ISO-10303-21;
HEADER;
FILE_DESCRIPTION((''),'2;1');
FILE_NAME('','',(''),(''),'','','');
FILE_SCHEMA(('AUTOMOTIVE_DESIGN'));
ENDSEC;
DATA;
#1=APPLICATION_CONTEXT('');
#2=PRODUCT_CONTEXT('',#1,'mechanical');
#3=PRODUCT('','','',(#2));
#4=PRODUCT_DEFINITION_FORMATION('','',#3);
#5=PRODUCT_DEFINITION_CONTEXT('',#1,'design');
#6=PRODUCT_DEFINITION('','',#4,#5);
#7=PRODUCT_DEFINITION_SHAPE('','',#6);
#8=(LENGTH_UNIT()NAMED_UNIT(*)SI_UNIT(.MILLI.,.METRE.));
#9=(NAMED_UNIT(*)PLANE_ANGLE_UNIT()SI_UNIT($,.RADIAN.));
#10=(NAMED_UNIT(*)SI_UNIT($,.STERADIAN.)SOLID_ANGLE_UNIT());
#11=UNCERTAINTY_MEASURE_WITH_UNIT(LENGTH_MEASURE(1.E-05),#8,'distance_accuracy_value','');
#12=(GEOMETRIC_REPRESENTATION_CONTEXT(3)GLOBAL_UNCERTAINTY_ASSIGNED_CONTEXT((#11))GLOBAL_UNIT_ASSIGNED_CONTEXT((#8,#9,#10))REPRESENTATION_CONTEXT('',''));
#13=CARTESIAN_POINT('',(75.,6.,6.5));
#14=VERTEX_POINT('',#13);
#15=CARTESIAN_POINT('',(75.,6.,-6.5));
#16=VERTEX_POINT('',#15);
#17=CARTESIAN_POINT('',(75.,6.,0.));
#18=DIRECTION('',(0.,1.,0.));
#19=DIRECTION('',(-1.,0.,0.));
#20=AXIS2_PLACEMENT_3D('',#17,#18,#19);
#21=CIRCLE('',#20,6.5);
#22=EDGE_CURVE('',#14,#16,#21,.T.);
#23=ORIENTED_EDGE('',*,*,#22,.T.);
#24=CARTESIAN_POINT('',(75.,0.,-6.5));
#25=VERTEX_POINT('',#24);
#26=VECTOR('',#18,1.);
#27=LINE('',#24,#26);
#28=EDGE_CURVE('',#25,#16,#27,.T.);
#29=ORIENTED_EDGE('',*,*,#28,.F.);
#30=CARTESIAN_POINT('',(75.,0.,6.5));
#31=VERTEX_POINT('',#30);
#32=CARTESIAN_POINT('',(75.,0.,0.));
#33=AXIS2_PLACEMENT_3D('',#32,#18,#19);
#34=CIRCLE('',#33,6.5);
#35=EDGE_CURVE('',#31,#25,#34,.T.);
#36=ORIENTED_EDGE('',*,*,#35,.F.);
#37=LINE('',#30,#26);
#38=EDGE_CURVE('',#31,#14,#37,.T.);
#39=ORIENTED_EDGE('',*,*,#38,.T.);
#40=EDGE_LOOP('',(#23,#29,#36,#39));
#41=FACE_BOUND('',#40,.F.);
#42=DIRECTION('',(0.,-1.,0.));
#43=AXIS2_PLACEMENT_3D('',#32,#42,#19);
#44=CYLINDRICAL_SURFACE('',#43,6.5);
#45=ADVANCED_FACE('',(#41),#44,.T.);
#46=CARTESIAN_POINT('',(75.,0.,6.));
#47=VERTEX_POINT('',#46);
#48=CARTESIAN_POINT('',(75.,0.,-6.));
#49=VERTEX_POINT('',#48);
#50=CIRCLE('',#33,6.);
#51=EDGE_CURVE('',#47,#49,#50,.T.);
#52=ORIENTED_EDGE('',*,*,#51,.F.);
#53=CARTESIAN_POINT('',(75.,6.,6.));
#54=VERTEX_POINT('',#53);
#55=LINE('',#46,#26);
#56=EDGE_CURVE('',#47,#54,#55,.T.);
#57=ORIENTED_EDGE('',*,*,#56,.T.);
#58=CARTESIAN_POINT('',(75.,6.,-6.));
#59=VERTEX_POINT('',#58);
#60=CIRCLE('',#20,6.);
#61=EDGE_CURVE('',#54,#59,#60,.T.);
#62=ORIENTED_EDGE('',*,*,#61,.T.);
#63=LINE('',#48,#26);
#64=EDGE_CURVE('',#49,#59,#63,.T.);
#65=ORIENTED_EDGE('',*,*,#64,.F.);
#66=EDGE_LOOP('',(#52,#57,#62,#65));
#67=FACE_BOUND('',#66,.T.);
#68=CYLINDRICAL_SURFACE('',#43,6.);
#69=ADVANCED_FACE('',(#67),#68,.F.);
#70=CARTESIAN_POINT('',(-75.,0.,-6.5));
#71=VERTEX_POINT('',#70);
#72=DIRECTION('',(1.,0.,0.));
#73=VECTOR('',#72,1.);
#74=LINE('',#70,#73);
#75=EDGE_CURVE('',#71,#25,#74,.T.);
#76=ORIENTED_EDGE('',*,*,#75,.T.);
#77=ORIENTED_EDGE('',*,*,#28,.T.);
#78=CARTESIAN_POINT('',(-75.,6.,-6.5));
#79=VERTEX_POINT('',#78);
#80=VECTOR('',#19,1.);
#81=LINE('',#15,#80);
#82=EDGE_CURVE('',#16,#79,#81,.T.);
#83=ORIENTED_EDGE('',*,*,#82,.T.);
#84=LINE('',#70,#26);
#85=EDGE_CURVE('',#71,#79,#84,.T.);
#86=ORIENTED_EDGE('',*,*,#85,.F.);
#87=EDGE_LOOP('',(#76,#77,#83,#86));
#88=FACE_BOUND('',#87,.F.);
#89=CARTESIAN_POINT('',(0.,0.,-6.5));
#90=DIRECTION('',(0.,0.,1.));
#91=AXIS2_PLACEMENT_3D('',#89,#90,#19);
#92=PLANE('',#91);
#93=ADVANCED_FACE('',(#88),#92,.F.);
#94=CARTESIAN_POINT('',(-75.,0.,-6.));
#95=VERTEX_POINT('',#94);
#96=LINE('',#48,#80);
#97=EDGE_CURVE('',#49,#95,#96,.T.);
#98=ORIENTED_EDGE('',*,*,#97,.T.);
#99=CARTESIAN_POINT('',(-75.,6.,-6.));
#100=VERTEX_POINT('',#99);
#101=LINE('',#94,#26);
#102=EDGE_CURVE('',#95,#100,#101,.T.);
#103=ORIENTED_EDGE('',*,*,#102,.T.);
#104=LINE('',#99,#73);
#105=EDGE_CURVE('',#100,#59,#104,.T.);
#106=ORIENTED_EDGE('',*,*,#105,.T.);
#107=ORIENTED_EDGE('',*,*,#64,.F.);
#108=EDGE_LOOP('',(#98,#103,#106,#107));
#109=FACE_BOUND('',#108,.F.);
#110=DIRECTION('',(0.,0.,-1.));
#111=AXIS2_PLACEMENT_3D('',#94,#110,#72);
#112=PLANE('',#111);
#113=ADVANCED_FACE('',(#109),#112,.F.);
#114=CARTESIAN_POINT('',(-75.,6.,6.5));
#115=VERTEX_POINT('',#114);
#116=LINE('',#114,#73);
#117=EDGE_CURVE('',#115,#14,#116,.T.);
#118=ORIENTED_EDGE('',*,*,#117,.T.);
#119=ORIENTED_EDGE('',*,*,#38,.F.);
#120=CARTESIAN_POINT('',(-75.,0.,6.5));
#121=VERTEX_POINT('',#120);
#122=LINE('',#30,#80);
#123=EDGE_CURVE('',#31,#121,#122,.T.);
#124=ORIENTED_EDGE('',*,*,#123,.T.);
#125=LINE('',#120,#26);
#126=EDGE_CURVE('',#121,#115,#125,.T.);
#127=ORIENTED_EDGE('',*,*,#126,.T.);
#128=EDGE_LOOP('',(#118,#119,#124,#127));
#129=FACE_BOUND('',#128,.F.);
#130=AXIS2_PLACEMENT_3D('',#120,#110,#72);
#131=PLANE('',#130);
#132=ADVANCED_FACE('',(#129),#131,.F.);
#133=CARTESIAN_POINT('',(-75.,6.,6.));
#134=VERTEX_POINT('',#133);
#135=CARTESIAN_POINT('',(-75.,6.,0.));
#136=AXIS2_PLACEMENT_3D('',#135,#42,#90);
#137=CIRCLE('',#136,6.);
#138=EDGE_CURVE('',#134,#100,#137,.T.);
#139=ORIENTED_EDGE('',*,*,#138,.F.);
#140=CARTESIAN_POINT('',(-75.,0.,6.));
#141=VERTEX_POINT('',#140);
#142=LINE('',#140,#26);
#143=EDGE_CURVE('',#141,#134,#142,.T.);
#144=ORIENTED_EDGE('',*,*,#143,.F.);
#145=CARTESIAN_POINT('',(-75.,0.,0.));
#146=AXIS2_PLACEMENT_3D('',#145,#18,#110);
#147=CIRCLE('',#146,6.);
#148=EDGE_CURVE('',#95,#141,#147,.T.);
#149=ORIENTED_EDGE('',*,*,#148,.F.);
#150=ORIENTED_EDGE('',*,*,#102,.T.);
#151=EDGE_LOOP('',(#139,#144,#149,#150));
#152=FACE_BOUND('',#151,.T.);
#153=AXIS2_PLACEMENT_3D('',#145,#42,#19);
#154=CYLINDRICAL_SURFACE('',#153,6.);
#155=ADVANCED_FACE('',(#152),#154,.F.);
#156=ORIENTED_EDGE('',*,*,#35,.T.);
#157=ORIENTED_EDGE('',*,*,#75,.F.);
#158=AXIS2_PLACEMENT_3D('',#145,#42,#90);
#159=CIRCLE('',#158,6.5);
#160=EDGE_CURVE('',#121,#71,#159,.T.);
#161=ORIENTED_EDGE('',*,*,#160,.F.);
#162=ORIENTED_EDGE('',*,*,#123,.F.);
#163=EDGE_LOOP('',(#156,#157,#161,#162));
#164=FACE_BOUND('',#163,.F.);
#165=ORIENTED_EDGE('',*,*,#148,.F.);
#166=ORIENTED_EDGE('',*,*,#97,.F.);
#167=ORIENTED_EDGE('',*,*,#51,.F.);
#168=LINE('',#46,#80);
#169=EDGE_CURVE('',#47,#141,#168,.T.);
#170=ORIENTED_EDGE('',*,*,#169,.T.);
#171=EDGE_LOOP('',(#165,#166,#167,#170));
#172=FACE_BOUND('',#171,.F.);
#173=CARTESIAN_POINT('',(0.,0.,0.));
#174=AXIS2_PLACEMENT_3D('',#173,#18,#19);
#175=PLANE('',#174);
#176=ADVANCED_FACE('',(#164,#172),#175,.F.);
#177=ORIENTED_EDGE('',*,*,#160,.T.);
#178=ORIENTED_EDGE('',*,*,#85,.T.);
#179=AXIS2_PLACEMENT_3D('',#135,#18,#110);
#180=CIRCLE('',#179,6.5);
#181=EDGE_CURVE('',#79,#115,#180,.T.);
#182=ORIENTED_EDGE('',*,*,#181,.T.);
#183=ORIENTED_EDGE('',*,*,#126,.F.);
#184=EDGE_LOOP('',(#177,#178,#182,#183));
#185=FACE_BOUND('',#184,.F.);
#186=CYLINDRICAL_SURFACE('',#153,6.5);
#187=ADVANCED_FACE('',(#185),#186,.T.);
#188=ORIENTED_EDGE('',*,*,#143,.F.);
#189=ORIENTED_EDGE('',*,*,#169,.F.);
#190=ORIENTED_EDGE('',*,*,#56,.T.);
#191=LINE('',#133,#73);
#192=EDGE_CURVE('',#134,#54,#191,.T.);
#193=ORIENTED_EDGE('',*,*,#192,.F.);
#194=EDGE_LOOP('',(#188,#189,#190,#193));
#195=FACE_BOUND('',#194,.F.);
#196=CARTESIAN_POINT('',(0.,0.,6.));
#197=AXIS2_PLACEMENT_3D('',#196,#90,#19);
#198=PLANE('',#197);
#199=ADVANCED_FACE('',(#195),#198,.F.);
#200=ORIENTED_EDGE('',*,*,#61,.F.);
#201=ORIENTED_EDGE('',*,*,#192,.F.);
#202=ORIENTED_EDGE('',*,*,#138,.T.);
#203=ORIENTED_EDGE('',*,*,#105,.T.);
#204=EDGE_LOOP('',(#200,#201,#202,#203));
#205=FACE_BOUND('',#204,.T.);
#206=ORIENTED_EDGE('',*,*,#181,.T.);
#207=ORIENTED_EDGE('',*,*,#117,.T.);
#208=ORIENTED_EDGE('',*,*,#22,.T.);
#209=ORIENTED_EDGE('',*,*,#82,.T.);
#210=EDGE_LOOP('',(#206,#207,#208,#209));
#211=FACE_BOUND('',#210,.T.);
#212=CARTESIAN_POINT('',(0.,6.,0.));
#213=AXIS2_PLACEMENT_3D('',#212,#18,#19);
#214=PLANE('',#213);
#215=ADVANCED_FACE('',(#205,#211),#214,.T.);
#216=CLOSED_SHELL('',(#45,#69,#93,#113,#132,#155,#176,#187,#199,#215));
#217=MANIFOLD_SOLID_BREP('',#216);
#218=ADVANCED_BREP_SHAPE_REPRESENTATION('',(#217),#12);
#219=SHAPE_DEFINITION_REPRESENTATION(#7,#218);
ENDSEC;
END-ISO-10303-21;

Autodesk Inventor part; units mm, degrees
ref_plane "YZ Plane" through (0, 0, 0) normal (1, 0, 0) x (0, 1, 0)
ref_plane "XZ Plane" through (0, 0, 0) normal (0, 1, 0) x (-1, 0, 0)
ref_plane "XY Plane" through (0, 0, 0) normal (0, 0, 1) x (1, 0, 0)
sketch "スケッチ1" plane through (0, 0, 0) normal (0, 1, 0) x (-1, 0, 0)
  line L0 (75, 6.5) -> (-75, 6.5)
  line L1 (-75, -6.5) -> (75, -6.5)
  line L2 (0, -9.1) -> (0, 9.1) projected
  line L3 (75, 6.5) -> (75, -6.5) construction
  line L4 (-75, 6.5) -> (-75, -6.5) construction
  circle A0 centre (75, 0) radius 6.5
  circle A1 centre (-75, 0) radius 6.5
  circle A2 centre (75, 0) radius 6
  circle A3 centre (-75, 0) radius 6
  line L5 (75, -6) -> (-75, -6)
  line L6 (-75, 6) -> (75, 6)
  point P0 (0, 0)
  point P1 (75, 6.5)
  point P2 (-75, 6.5)
  dimension "d3" = 13
  dimension "d2" = 150
  dimension "d4" = 12
  dimension "d5" = 12
extrude "押し出し1" add sketch "スケッチ1" along normal blind 6 contours A0 L6 L2 L0 | A0 L5 A2 L6 | L2 L6 A1 L0 | A1 L6 A3 L5 | L1 L2 L5 A0 | A1 L5 L2 L1 picked at (80.8664, -2.29) picked at (-77.4549, -5.7931)
properties part number "belt"
